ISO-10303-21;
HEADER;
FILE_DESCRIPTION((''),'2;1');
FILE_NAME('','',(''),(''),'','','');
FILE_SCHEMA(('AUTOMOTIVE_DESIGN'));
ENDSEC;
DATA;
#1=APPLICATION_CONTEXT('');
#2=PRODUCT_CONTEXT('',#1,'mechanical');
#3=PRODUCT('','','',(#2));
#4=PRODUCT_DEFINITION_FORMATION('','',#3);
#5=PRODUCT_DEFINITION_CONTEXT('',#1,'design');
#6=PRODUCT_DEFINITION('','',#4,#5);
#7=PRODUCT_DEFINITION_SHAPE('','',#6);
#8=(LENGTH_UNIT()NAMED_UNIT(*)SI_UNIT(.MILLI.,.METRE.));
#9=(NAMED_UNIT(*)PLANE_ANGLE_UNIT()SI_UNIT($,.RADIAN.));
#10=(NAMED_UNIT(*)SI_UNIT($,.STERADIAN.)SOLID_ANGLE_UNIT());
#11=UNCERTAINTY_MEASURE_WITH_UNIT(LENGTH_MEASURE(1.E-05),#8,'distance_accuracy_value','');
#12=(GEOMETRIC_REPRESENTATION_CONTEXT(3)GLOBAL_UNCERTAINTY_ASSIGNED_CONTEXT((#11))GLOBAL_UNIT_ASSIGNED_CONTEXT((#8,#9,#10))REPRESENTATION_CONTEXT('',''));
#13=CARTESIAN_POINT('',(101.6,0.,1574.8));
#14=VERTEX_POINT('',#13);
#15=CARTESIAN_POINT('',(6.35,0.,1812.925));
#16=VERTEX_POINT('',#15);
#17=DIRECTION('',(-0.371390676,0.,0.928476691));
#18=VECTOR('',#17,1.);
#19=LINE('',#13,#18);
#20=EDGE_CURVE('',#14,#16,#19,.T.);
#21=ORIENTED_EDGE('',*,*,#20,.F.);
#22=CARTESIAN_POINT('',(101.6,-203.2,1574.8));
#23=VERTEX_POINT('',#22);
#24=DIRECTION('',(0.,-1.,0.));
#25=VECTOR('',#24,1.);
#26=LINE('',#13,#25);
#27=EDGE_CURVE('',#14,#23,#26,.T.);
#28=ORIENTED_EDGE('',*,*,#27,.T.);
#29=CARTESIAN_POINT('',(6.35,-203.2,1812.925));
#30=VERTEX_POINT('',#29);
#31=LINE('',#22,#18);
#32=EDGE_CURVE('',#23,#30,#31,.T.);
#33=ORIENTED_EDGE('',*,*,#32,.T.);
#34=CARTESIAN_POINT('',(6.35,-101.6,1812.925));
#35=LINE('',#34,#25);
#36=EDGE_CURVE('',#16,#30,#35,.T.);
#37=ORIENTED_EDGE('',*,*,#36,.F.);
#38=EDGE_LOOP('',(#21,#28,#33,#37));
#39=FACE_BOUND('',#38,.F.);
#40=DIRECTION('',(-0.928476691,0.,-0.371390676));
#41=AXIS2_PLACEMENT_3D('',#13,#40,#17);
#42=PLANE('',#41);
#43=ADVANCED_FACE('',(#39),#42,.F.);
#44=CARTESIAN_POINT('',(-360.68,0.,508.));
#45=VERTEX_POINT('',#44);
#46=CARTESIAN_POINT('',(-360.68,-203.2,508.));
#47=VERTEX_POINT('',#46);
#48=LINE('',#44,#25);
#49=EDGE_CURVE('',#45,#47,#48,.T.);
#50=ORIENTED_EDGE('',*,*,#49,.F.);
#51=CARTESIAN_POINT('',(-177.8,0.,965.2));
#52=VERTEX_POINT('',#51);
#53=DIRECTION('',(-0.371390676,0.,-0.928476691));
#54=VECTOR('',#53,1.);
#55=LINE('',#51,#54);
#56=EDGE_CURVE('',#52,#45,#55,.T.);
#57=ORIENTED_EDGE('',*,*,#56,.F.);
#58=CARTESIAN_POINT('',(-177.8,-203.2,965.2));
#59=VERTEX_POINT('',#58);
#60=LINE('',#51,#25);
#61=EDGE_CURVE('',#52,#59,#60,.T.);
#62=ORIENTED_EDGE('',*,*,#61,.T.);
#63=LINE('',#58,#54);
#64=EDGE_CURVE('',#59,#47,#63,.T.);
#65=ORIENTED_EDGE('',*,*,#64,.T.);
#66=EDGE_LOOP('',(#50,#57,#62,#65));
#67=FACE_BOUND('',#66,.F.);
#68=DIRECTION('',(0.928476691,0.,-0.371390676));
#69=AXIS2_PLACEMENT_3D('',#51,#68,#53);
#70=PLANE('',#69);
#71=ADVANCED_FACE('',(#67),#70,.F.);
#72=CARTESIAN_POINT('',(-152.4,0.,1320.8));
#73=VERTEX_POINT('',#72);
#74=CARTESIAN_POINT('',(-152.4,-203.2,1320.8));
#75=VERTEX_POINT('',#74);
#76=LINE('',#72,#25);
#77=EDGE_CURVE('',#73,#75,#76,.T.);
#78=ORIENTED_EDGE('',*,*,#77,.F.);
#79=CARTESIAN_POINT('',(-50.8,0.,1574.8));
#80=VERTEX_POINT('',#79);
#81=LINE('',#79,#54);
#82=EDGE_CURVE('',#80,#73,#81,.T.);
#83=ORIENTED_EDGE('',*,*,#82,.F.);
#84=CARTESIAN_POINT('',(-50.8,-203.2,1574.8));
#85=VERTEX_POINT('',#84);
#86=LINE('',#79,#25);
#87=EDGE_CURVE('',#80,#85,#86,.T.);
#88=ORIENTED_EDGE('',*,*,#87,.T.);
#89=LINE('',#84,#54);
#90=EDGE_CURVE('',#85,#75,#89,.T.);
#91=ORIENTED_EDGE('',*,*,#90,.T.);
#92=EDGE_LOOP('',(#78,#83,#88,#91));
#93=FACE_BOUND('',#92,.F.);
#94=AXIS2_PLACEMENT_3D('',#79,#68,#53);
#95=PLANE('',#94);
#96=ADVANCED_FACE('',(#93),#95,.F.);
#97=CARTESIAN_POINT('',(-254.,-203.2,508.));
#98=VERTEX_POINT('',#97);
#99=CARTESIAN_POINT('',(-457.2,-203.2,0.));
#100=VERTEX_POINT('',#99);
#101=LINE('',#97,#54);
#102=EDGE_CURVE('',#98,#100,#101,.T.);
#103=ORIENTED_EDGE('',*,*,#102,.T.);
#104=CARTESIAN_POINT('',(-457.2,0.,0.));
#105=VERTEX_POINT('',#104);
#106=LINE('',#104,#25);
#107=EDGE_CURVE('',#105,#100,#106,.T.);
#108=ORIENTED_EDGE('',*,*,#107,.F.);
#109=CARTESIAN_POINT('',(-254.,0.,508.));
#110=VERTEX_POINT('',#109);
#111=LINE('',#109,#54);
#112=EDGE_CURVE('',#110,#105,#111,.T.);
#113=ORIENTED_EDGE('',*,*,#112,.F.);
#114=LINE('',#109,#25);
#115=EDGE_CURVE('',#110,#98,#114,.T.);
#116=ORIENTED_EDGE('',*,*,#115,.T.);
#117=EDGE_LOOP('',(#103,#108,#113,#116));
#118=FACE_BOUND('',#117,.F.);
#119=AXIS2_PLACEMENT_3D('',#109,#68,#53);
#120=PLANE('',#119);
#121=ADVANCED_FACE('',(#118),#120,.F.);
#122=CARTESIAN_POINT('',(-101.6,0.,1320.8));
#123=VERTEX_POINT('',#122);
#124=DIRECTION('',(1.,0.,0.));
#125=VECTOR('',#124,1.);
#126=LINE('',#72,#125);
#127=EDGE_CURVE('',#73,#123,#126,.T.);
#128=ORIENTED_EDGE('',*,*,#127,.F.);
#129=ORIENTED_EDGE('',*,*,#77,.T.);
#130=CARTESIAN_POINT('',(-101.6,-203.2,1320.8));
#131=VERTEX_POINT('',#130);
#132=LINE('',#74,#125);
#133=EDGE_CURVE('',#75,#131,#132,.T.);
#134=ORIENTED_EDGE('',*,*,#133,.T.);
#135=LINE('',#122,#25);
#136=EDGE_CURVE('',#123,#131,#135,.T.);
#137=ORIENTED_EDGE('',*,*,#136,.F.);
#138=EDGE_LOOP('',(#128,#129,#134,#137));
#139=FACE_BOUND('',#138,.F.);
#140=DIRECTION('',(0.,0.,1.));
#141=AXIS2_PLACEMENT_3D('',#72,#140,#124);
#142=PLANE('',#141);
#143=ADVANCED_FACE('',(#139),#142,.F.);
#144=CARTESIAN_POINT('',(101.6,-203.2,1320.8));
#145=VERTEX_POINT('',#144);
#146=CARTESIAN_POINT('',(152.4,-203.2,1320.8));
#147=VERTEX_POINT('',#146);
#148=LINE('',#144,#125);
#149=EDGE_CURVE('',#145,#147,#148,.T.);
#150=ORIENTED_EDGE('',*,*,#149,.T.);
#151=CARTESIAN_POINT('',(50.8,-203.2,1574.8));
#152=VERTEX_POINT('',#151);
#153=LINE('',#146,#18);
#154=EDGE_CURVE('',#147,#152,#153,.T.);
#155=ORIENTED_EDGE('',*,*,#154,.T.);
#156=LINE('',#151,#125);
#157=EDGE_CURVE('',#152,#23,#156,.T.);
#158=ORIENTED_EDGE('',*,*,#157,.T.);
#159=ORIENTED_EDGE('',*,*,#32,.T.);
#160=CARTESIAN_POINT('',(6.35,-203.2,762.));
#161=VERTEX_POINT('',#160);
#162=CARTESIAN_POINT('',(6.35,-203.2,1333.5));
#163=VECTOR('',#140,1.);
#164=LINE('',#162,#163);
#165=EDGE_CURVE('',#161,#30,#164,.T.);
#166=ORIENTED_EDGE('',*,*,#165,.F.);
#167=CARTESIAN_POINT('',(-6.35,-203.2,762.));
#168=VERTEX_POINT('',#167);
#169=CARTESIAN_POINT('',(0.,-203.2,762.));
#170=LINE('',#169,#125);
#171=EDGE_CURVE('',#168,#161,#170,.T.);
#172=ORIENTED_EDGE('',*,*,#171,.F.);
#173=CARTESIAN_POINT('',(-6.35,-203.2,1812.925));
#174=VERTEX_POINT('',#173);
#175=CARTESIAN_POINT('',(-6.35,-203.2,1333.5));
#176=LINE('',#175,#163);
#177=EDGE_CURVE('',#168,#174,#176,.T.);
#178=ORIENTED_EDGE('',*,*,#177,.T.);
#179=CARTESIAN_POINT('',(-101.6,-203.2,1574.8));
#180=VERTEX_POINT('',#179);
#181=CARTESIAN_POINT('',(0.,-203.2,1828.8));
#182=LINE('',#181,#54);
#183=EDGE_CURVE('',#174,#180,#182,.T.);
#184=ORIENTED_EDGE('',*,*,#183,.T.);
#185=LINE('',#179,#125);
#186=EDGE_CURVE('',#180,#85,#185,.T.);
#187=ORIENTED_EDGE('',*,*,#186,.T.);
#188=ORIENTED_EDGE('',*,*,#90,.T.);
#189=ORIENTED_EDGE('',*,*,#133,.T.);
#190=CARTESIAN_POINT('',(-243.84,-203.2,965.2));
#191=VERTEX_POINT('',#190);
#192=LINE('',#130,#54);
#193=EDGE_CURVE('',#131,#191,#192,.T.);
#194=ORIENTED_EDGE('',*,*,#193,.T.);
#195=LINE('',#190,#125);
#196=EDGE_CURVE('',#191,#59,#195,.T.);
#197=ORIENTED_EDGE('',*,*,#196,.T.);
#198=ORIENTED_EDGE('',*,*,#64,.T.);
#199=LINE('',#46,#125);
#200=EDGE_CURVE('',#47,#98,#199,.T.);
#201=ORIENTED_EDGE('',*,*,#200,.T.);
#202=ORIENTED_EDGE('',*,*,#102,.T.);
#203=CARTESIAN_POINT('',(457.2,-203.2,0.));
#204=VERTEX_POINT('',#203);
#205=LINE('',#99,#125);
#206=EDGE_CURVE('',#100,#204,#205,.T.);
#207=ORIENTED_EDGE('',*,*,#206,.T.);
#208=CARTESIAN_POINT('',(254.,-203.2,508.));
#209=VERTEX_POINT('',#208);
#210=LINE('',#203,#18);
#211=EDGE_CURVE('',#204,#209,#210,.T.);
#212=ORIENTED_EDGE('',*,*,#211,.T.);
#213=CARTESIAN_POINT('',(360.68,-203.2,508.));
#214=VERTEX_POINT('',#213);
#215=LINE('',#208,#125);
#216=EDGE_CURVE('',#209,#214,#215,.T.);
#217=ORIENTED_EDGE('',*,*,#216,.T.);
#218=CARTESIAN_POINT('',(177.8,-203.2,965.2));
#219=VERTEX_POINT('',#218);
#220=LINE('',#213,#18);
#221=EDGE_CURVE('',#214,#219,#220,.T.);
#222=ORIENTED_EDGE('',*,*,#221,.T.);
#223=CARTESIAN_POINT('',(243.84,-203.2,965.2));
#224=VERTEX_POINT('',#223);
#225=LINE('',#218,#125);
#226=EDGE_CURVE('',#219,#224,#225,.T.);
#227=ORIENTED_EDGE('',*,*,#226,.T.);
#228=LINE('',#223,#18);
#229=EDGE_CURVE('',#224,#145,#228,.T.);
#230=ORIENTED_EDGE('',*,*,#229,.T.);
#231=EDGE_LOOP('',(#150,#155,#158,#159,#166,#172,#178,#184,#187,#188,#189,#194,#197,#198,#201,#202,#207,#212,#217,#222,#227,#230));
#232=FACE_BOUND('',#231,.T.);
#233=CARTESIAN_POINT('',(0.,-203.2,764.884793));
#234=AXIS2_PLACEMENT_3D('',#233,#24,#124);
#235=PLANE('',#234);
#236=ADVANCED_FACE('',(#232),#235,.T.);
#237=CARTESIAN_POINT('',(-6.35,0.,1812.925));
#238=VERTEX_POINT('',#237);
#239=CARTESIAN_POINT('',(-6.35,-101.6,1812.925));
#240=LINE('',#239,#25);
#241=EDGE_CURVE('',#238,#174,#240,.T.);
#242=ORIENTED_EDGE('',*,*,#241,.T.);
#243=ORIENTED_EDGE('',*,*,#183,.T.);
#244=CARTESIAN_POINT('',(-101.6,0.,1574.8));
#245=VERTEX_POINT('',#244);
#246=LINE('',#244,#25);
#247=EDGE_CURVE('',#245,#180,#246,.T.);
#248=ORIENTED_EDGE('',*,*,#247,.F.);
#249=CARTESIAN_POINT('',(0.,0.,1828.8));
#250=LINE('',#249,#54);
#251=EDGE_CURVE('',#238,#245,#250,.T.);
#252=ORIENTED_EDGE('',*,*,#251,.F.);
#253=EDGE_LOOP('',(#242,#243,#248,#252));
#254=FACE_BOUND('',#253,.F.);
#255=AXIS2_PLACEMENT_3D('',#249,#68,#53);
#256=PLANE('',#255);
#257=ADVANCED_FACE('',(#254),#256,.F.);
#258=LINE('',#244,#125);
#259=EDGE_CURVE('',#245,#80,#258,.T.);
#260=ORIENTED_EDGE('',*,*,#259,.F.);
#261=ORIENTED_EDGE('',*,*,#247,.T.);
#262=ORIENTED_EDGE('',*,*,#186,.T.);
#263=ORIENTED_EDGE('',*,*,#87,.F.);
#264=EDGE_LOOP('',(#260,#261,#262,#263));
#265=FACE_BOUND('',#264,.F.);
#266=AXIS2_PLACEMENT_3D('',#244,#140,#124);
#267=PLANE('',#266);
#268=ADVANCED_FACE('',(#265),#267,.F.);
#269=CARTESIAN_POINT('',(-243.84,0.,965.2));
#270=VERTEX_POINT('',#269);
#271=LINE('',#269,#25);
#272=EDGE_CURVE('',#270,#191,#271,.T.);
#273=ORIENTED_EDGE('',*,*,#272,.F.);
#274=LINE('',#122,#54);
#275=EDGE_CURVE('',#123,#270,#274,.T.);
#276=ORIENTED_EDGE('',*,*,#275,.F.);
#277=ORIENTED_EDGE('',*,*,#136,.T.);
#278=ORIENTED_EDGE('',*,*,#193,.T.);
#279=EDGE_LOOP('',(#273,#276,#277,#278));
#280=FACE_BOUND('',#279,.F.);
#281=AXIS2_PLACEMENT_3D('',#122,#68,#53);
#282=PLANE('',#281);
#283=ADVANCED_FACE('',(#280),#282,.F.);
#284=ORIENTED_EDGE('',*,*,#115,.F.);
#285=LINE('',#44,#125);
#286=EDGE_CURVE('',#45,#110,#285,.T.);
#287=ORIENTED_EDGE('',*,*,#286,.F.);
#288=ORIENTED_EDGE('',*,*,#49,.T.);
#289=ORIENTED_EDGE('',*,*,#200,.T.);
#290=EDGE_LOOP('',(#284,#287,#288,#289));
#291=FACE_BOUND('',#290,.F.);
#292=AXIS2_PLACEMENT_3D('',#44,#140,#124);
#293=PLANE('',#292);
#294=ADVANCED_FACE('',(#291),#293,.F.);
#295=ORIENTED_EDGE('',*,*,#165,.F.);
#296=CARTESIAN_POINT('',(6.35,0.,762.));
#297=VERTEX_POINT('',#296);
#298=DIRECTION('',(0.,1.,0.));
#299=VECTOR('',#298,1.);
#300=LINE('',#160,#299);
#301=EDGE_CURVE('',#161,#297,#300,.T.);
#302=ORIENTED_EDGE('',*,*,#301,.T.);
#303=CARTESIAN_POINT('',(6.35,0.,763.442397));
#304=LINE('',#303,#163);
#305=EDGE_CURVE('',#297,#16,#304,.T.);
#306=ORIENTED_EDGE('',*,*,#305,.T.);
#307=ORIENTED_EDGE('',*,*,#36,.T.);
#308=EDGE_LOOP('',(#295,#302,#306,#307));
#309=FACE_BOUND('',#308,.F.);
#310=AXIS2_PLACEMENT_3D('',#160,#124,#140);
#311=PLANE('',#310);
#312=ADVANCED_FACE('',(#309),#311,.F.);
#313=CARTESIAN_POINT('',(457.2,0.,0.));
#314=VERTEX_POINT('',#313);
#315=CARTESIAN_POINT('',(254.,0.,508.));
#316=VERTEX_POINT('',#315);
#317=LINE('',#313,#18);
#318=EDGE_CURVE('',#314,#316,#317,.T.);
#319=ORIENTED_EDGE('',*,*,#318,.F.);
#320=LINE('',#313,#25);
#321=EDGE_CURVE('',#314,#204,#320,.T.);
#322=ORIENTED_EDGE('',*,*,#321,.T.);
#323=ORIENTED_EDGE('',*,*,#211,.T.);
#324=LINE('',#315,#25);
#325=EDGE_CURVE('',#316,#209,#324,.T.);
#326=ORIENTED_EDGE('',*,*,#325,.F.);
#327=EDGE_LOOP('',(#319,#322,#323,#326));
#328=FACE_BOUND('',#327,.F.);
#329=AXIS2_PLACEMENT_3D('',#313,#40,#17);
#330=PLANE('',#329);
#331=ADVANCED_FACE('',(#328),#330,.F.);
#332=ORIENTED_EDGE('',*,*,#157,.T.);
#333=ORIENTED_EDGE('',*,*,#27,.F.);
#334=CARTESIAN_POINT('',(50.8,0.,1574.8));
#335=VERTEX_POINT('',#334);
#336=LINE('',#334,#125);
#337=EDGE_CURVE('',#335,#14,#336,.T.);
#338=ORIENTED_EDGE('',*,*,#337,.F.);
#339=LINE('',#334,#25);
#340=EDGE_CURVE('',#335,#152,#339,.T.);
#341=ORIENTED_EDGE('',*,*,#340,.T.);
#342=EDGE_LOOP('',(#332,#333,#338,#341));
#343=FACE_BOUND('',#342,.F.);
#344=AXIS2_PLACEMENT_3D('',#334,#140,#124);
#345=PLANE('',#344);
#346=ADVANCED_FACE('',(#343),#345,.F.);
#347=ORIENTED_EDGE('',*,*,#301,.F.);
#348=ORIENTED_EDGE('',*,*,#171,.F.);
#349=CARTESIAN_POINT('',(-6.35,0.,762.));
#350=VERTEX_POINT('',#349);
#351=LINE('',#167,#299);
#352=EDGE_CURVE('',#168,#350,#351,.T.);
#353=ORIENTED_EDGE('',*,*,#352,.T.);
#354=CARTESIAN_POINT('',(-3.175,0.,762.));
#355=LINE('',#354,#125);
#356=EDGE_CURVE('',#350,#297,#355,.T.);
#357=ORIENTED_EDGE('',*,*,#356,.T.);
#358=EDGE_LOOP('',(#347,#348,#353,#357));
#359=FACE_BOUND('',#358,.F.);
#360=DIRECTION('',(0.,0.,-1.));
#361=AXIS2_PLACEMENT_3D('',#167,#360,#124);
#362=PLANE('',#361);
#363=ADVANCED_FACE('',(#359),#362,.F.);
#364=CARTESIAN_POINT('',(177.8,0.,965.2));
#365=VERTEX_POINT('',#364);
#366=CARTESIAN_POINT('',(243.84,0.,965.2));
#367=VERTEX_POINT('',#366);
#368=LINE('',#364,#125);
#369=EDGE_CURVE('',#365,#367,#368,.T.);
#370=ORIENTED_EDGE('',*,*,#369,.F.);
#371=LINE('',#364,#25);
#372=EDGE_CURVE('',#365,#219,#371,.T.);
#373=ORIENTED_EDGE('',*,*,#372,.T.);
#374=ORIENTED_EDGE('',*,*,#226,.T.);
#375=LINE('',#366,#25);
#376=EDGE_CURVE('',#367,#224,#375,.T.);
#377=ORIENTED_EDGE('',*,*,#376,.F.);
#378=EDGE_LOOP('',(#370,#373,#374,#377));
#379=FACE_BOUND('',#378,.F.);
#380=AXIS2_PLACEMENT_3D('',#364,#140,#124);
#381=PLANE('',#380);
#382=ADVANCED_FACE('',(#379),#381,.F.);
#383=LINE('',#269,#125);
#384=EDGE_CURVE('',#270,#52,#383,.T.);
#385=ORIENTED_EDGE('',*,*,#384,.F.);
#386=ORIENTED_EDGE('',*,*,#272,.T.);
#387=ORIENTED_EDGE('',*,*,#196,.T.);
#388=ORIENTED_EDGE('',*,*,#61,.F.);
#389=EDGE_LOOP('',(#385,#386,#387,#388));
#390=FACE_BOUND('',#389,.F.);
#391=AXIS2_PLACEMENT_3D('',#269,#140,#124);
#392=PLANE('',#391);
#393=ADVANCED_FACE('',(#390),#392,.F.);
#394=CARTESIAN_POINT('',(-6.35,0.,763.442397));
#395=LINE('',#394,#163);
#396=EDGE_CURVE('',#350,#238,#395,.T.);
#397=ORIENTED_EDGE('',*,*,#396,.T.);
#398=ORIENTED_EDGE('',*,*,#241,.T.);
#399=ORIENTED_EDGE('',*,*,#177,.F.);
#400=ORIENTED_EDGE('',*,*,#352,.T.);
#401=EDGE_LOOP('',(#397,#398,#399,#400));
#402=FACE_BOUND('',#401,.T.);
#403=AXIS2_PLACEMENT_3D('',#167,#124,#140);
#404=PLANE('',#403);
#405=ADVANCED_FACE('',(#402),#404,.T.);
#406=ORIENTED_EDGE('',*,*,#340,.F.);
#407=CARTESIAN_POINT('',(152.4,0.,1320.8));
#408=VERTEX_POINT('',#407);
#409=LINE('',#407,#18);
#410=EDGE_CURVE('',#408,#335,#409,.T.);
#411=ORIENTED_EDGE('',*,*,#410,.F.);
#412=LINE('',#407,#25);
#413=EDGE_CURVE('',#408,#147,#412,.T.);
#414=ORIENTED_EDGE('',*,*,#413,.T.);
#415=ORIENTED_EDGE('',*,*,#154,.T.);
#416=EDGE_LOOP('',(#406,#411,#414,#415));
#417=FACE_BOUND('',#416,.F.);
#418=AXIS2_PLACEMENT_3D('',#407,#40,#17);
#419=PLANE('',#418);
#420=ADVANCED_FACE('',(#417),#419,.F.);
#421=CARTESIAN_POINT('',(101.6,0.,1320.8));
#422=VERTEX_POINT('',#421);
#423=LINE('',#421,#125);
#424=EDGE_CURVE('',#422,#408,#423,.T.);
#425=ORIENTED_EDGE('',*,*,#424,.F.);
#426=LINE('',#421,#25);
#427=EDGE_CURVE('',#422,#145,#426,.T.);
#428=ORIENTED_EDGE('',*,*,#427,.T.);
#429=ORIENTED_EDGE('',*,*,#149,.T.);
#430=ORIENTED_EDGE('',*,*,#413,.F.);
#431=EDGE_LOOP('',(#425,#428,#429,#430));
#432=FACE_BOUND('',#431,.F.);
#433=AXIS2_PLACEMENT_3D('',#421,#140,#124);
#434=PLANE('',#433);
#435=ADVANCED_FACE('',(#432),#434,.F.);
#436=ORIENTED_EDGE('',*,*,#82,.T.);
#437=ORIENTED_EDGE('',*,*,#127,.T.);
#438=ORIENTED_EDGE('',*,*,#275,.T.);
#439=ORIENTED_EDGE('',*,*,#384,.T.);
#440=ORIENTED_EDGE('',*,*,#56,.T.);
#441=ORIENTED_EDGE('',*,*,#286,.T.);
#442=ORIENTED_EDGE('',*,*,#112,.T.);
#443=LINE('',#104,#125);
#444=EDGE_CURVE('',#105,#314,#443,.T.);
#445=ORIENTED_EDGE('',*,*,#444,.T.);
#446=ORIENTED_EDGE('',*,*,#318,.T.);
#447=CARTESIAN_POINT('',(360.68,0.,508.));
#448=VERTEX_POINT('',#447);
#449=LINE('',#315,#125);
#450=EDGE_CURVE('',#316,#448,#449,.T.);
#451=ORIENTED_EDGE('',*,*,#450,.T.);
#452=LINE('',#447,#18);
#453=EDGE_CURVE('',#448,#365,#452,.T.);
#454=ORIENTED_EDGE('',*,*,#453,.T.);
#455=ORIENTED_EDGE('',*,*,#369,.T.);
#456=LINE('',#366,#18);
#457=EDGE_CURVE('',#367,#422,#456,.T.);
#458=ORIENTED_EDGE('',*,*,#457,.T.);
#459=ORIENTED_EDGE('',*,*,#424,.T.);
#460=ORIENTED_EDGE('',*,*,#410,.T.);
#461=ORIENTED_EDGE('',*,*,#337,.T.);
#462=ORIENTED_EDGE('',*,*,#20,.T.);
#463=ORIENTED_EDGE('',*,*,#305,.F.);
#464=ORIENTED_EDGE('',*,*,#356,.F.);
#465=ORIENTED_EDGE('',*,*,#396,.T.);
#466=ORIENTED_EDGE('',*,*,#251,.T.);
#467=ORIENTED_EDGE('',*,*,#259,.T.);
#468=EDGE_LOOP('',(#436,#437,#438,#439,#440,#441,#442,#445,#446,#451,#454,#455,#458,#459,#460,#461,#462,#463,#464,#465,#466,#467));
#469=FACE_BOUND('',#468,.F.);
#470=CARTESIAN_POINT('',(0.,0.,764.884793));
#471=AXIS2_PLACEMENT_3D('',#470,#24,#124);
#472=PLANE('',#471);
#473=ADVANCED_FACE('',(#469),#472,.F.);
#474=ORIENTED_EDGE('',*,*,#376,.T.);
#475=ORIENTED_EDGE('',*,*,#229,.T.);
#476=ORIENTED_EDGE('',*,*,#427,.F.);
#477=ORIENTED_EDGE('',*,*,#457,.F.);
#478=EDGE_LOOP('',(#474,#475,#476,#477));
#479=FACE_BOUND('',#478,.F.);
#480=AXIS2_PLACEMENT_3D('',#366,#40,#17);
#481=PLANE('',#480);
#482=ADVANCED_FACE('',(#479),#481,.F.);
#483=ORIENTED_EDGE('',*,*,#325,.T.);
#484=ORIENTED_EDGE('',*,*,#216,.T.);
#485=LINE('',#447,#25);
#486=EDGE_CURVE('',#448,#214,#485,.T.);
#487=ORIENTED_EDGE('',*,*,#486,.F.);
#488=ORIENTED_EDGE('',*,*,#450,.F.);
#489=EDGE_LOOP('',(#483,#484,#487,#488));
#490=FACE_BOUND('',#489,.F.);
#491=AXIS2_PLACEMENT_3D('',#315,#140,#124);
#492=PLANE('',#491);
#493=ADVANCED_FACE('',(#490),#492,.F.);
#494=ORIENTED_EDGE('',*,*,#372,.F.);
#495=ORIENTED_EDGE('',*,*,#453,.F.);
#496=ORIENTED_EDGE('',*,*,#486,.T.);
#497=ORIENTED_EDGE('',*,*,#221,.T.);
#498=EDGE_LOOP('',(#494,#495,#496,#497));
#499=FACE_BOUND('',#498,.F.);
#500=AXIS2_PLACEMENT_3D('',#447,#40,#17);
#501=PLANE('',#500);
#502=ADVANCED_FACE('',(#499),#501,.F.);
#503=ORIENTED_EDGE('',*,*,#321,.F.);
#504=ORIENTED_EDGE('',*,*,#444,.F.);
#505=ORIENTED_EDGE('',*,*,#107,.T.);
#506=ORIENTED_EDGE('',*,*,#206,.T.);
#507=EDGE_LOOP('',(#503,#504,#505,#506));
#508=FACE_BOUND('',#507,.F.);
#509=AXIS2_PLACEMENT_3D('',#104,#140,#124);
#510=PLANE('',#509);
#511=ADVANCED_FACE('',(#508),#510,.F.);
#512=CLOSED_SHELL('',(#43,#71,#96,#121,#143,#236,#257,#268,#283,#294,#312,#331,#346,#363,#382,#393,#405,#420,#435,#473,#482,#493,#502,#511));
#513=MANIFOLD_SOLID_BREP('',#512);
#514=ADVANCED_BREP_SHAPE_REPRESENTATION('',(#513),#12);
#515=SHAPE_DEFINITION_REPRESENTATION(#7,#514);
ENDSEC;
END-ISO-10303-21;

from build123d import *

# Parameters (mm, degrees)
F1_DEPTH = 203.2
F3_W     = 12.7
F3_H     = 1143
F4_DEPTH = 203.201


with BuildPart() as f1:
    # F0 (on Front) → F1 (new body)
    with BuildSketch(Plane.XZ):
        Polygon((101.6, 1574.8), (0, 1828.8), (-101.6, 1574.8), (-50.8, 1574.8), (-152.4, 1320.8), (-101.6, 1320.8), (-243.84, 965.2), (-177.8, 965.2), (-360.68, 508), (-254, 508), (-457.2, 0), (457.2, 0), (254, 508), (360.68, 508), (177.8, 965.2), (243.84, 965.2), (101.6, 1320.8), (152.4, 1320.8), (50.8, 1574.8), align=None)
    extrude(amount=F1_DEPTH)

    # F3 (on face) → F4 (cut, through all)
    with BuildSketch(Plane.XZ.offset(203.2)):
        with Locations((0, 1333.5)):
            Rectangle(F3_W, F3_H)
    extrude(amount=-F4_DEPTH, mode=Mode.SUBTRACT)


solid = f1.part
